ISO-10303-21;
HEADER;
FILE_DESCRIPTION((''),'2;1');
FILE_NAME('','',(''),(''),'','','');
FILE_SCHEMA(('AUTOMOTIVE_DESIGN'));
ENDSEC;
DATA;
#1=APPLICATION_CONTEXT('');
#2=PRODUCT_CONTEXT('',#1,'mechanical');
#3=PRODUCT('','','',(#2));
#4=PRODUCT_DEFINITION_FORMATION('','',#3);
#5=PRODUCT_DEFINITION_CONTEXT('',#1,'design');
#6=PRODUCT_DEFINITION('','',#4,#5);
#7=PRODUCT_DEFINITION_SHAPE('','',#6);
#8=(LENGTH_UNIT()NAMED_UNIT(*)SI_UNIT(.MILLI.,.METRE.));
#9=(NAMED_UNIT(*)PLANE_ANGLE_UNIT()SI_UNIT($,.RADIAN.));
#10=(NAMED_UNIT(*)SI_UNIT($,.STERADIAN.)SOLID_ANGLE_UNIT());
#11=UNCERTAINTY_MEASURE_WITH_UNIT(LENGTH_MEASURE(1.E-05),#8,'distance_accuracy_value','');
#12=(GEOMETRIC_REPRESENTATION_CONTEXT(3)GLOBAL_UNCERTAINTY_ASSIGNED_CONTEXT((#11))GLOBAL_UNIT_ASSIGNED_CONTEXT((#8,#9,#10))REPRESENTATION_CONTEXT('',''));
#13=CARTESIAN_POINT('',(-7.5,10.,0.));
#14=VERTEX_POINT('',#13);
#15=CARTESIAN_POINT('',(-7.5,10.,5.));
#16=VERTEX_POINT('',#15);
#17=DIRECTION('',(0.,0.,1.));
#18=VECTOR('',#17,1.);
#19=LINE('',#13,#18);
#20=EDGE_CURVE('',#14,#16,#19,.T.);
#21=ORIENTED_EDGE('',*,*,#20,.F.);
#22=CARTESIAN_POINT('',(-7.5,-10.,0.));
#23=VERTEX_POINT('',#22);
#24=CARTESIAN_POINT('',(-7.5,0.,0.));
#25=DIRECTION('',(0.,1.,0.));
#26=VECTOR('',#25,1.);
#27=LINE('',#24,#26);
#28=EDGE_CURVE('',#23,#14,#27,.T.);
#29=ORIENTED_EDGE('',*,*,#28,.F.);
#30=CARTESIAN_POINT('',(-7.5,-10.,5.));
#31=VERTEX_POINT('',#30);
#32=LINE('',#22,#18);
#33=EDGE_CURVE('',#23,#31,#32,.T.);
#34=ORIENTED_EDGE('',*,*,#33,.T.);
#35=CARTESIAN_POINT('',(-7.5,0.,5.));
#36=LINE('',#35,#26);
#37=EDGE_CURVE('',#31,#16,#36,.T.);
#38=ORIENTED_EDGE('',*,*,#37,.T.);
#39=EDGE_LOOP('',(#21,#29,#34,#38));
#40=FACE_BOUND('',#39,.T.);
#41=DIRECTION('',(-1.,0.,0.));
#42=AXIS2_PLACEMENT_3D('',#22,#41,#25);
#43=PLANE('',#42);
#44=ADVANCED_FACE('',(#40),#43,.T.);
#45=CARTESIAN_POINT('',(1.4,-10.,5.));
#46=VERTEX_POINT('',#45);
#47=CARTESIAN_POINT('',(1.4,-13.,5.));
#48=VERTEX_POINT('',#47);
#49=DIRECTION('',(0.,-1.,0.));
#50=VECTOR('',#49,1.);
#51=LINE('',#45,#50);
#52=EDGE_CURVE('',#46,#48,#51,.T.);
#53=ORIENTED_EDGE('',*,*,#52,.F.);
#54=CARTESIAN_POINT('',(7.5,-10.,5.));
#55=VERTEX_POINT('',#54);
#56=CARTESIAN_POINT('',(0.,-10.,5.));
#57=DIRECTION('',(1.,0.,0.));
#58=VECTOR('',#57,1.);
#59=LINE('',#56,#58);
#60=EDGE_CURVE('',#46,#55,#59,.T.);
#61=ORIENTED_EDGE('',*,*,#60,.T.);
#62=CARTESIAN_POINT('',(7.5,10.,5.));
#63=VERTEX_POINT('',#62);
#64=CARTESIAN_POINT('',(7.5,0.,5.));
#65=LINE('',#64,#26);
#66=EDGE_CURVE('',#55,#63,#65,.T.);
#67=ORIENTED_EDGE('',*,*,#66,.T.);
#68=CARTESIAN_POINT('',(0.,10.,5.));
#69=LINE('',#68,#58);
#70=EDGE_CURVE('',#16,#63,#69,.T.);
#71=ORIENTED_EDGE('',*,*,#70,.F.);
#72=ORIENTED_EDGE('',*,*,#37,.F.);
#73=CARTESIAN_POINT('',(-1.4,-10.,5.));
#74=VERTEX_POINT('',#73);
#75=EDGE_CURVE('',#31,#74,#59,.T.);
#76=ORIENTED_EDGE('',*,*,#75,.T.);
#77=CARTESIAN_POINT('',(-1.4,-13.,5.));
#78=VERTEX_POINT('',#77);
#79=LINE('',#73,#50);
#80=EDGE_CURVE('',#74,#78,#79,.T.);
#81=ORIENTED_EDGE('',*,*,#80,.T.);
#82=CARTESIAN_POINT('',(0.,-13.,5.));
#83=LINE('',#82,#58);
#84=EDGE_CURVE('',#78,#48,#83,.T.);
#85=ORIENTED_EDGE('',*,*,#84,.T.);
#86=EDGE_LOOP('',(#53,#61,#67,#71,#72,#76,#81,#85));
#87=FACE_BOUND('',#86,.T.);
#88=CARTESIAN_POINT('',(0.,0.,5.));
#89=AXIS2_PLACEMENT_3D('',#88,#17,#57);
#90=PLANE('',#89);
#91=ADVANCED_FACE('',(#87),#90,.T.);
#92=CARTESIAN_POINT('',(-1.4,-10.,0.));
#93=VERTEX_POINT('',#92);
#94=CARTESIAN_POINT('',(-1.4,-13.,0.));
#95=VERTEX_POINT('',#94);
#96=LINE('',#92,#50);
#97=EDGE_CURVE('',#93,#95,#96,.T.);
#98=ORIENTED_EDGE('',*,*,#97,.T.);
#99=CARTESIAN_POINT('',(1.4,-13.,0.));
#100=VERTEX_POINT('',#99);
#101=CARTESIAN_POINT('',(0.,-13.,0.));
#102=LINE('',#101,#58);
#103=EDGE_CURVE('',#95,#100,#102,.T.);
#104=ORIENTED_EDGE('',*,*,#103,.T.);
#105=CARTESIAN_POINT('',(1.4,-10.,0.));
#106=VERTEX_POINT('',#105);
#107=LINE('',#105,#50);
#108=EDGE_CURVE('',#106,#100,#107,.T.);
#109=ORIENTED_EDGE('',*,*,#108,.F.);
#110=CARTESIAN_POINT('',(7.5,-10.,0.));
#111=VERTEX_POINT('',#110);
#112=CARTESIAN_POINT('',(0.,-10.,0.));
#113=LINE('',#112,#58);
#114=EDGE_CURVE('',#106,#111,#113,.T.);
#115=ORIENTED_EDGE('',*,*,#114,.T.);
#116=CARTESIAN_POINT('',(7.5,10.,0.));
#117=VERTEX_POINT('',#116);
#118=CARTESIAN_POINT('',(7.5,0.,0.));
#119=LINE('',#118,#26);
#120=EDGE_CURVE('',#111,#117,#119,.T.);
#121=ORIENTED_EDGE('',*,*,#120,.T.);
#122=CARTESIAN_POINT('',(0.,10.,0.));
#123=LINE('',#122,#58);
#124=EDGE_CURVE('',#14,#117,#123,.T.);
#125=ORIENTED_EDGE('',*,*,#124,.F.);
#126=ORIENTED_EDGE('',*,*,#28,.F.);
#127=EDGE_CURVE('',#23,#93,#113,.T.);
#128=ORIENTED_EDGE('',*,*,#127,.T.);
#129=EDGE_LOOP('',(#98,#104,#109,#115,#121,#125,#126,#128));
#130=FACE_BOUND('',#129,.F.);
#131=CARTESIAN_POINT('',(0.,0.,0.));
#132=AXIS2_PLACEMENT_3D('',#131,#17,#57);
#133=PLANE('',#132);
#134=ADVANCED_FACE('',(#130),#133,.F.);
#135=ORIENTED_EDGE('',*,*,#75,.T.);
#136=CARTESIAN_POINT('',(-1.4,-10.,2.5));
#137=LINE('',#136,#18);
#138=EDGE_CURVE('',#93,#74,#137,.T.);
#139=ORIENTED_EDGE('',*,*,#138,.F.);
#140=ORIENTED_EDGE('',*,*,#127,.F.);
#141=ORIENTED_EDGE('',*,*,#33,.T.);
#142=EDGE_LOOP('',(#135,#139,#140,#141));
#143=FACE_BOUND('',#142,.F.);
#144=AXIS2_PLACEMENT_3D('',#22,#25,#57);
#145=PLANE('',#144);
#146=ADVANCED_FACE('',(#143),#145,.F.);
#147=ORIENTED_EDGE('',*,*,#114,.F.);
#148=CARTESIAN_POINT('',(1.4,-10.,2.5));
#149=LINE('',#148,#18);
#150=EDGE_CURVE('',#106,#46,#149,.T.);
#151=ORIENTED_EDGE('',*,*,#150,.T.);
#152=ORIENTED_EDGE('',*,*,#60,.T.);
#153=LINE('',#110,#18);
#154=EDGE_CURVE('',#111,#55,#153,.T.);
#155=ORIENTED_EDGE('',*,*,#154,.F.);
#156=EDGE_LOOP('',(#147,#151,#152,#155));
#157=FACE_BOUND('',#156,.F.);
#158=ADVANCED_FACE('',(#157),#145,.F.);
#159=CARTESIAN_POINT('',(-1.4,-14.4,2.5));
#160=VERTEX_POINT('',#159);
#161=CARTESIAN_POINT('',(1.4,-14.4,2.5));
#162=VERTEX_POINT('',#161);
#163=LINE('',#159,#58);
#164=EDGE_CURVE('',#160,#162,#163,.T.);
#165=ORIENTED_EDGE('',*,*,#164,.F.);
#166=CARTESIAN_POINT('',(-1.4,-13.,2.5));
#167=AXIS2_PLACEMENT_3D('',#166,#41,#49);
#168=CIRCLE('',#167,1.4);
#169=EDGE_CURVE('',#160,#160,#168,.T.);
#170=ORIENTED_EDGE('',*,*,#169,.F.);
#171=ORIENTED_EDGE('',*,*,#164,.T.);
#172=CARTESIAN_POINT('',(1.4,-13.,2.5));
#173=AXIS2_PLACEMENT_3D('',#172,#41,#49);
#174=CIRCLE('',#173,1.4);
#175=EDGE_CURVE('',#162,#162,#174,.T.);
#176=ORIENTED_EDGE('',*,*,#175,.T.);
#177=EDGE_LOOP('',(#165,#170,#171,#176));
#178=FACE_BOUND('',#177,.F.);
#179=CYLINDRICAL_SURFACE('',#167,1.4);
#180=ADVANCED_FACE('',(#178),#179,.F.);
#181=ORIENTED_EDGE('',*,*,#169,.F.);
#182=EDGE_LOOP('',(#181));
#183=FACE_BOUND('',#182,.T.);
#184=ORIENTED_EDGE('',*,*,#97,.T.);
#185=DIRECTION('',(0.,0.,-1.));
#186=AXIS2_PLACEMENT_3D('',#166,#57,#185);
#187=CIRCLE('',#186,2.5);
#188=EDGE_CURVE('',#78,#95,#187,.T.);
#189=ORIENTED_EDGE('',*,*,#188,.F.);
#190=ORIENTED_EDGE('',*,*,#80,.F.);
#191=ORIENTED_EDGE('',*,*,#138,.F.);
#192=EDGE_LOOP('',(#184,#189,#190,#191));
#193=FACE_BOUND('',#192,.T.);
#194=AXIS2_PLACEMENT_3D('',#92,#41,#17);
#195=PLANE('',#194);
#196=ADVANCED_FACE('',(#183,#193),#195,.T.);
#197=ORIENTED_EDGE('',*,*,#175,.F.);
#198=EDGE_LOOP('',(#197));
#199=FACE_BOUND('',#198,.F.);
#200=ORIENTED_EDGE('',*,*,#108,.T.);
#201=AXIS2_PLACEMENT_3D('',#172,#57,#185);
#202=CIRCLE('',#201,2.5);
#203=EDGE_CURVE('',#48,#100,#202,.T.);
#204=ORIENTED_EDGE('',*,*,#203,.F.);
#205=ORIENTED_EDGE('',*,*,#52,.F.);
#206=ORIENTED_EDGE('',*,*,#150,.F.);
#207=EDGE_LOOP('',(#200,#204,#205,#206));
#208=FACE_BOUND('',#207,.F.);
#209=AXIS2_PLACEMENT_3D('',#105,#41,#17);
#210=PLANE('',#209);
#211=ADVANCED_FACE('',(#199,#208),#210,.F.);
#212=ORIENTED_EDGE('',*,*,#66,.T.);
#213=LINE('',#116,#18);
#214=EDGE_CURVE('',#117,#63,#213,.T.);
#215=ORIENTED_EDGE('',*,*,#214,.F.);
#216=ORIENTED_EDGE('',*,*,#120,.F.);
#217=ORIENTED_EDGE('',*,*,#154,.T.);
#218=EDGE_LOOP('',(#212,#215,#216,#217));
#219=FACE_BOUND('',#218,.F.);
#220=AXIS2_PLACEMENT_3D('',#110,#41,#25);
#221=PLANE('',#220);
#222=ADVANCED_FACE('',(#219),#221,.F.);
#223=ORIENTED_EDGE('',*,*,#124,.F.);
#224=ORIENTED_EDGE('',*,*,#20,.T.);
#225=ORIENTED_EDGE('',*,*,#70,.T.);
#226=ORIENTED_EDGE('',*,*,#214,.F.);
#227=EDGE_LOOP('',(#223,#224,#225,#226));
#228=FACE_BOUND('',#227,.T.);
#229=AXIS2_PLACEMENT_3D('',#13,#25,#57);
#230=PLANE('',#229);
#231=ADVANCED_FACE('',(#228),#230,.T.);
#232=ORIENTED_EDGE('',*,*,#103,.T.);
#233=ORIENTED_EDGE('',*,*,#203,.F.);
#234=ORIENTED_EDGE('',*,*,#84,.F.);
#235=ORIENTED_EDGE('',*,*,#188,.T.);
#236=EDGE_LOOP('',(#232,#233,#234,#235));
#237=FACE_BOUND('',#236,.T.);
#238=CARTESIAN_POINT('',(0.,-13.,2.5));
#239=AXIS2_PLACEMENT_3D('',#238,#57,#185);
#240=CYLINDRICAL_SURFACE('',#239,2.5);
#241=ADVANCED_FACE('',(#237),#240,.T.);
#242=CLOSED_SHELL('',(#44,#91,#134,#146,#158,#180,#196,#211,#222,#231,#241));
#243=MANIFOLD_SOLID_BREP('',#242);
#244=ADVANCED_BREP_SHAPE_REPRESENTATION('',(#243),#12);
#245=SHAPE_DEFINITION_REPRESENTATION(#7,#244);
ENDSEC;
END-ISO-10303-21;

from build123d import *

# Parameters (mm, degrees)
F0_W     = 15
F0_H     = 20
F1_DEPTH = 5
F2_W     = 2.8
F2_H     = 5
F3_DEPTH = 3
F4_W     = 2.8
F4_H     = 2.5
F6_R     = 1.4
F7_DEPTH = 5


with BuildPart() as f1:
    # F0 (on Top) → F1 (new body)
    with BuildSketch(Plane.XY):
        Rectangle(F0_W, F0_H)
    extrude(amount=F1_DEPTH)

    # F2 (on face) → F3 (join)
    with BuildSketch(Plane.XZ.offset(10)):
        with Locations((0, 2.5)):
            Rectangle(F2_W, F2_H)
    extrude(amount=F3_DEPTH)

    # F4 (on face) → F5 (revolve)
    with BuildSketch(Plane.XZ.offset(13)):
        with Locations((0, 1.25)):
            Rectangle(F4_W, F4_H)
    revolve(axis=Axis((0, -13, 2.5), (1, 0, 0)))

    # F6 (on face) → F7 (cut)
    with BuildSketch(Plane(origin=(-1.4, 0, 0), x_dir=(0, -1, 0), z_dir=(-1, 0, 0))):
        with Locations((13, 2.5)):
            Circle(F6_R)
    extrude(amount=-F7_DEPTH, mode=Mode.SUBTRACT)


solid = f1.part
